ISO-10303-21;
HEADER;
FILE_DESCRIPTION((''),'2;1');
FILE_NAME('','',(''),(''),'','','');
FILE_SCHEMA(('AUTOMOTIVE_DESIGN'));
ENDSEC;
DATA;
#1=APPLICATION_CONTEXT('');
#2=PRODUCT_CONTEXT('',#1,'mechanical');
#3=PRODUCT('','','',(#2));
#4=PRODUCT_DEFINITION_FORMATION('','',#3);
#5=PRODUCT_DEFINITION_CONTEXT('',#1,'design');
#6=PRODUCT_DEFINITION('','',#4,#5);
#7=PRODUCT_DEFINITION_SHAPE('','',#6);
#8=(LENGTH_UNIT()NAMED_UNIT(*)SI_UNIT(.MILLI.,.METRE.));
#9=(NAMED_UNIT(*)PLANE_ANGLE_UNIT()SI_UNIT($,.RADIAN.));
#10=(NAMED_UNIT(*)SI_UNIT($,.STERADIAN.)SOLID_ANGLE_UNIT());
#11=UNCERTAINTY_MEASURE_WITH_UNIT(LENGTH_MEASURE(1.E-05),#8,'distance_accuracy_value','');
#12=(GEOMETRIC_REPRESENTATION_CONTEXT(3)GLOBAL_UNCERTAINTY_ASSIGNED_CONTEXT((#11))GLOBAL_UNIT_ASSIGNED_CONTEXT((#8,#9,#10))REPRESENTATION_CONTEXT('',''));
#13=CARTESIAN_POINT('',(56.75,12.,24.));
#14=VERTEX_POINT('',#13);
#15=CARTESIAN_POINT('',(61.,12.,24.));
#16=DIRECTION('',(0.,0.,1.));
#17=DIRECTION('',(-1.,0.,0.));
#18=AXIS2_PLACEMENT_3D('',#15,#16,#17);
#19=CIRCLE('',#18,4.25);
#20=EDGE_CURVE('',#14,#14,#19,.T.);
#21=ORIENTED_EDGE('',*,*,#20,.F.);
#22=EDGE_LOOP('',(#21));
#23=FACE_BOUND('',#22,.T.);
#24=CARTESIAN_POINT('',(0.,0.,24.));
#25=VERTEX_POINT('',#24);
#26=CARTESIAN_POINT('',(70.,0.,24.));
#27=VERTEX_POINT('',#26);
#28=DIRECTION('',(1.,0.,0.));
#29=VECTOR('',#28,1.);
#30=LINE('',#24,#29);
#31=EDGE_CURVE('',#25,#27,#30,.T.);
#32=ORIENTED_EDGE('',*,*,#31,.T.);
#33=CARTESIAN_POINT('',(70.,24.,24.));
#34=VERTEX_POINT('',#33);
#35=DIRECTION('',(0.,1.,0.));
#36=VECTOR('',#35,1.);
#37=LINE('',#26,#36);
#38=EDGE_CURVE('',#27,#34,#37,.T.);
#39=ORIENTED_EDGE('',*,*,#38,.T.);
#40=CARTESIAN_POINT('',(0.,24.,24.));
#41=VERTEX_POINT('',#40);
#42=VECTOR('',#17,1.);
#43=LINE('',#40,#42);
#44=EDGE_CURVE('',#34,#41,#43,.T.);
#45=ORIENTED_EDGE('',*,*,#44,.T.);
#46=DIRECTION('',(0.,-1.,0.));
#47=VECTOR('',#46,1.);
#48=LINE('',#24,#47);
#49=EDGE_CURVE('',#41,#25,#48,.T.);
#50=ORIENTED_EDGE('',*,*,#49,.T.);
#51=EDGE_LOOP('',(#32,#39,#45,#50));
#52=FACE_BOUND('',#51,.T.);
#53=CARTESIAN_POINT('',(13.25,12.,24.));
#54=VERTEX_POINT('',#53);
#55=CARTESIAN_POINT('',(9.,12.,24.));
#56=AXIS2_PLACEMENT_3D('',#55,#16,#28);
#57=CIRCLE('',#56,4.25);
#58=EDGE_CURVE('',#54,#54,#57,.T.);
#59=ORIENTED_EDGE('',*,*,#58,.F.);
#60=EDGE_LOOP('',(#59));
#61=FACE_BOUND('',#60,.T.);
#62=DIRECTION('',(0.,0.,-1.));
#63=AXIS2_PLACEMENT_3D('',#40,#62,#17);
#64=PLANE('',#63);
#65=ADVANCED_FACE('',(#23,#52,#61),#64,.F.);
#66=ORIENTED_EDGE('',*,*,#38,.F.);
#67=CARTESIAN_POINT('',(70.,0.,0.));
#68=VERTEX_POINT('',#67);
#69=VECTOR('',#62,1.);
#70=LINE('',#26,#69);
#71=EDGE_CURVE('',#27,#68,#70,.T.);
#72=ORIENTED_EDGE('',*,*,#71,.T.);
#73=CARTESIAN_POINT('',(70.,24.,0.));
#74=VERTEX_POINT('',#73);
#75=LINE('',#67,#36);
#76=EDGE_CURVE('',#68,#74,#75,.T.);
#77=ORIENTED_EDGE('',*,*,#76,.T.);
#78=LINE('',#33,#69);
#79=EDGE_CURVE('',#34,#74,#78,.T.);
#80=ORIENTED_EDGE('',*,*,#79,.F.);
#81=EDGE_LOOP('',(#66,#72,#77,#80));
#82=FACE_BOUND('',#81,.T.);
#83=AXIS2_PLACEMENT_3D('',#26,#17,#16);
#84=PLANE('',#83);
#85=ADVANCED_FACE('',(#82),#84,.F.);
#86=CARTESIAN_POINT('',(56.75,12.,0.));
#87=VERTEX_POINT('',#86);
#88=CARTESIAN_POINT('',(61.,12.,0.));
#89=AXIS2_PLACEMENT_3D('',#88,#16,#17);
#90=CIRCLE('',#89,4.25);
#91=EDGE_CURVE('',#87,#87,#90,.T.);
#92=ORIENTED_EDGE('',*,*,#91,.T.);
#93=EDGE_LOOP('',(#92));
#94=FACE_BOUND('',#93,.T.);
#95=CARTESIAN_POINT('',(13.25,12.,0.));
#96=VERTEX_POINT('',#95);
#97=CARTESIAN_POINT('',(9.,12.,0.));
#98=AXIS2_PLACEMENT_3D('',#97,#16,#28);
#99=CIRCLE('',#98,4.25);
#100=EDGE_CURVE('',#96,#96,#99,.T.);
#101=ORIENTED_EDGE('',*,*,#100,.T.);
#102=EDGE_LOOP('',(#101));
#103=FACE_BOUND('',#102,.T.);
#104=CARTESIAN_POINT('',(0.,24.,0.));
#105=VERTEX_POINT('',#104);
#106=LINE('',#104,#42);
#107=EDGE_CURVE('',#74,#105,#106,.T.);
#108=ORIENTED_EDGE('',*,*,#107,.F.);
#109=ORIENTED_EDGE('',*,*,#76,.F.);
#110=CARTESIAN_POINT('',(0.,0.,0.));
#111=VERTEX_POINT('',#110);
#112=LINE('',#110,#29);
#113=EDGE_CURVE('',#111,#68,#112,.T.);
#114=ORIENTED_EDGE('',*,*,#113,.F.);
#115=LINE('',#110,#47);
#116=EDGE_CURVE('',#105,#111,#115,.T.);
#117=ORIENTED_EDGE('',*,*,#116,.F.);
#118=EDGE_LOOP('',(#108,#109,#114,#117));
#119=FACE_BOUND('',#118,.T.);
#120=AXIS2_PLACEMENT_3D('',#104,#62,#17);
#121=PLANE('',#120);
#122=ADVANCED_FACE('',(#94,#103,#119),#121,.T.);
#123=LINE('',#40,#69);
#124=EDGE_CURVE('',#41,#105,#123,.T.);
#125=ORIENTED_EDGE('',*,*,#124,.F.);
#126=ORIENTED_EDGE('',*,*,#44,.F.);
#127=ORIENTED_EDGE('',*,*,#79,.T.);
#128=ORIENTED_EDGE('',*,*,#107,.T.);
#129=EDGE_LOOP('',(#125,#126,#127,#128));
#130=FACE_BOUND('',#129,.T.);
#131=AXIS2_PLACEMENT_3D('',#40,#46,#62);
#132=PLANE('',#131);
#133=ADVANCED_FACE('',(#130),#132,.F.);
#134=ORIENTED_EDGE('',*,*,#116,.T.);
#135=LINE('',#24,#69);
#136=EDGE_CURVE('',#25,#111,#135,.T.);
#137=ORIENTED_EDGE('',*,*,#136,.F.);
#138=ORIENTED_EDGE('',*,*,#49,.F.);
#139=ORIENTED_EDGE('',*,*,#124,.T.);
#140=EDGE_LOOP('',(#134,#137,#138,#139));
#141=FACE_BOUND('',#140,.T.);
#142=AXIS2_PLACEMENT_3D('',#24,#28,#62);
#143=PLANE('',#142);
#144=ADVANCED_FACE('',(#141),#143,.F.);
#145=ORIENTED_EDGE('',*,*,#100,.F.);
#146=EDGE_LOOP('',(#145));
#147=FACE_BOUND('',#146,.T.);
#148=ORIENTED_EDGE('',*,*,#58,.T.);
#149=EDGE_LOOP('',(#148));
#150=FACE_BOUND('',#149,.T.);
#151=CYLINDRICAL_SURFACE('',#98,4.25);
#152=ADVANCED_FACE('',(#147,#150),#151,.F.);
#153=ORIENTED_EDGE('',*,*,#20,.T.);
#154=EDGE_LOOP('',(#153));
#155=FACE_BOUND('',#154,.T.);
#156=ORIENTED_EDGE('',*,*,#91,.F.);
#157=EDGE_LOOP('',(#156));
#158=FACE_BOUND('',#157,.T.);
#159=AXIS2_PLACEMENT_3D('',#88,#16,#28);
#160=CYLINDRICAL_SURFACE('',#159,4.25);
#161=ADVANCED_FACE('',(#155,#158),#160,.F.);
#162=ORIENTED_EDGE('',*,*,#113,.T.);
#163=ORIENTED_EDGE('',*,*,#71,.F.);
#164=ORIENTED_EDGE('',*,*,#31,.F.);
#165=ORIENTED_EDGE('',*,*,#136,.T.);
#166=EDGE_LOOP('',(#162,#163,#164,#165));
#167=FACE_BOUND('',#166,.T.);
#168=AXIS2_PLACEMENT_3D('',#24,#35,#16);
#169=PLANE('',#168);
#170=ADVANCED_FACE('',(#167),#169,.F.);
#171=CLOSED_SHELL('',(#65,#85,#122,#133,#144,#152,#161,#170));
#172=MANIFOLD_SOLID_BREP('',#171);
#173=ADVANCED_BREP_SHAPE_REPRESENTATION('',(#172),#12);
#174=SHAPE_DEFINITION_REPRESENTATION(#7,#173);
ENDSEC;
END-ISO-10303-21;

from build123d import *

# Parameters (mm, degrees)
SKETCH_1_W          = 70
SKETCH_1_H          = 24
EXTRUDE_1_DEPTH     = 24
SKETCH_2_R          = 4.25
CUT_EXTRUDE_1_DEPTH = 78.794601355


with BuildPart() as part:
    # 草图1 → 凸台-拉伸1 (new body)
    with BuildSketch(Plane.XY):
        with Locations((35, 12)):
            Rectangle(SKETCH_1_W, SKETCH_1_H)
    extrude(amount=EXTRUDE_1_DEPTH)

    # 草图2 → 切除-拉伸1 (cut, through all)
    with BuildSketch(Plane.XY.offset(24)):
        with Locations((9, 12)):
            Circle(SKETCH_2_R)
        with Locations(Location((61, 12, 0), (0, 0, 180))):
            Circle(SKETCH_2_R)
    extrude(amount=-CUT_EXTRUDE_1_DEPTH, mode=Mode.SUBTRACT)


solid = part.part
